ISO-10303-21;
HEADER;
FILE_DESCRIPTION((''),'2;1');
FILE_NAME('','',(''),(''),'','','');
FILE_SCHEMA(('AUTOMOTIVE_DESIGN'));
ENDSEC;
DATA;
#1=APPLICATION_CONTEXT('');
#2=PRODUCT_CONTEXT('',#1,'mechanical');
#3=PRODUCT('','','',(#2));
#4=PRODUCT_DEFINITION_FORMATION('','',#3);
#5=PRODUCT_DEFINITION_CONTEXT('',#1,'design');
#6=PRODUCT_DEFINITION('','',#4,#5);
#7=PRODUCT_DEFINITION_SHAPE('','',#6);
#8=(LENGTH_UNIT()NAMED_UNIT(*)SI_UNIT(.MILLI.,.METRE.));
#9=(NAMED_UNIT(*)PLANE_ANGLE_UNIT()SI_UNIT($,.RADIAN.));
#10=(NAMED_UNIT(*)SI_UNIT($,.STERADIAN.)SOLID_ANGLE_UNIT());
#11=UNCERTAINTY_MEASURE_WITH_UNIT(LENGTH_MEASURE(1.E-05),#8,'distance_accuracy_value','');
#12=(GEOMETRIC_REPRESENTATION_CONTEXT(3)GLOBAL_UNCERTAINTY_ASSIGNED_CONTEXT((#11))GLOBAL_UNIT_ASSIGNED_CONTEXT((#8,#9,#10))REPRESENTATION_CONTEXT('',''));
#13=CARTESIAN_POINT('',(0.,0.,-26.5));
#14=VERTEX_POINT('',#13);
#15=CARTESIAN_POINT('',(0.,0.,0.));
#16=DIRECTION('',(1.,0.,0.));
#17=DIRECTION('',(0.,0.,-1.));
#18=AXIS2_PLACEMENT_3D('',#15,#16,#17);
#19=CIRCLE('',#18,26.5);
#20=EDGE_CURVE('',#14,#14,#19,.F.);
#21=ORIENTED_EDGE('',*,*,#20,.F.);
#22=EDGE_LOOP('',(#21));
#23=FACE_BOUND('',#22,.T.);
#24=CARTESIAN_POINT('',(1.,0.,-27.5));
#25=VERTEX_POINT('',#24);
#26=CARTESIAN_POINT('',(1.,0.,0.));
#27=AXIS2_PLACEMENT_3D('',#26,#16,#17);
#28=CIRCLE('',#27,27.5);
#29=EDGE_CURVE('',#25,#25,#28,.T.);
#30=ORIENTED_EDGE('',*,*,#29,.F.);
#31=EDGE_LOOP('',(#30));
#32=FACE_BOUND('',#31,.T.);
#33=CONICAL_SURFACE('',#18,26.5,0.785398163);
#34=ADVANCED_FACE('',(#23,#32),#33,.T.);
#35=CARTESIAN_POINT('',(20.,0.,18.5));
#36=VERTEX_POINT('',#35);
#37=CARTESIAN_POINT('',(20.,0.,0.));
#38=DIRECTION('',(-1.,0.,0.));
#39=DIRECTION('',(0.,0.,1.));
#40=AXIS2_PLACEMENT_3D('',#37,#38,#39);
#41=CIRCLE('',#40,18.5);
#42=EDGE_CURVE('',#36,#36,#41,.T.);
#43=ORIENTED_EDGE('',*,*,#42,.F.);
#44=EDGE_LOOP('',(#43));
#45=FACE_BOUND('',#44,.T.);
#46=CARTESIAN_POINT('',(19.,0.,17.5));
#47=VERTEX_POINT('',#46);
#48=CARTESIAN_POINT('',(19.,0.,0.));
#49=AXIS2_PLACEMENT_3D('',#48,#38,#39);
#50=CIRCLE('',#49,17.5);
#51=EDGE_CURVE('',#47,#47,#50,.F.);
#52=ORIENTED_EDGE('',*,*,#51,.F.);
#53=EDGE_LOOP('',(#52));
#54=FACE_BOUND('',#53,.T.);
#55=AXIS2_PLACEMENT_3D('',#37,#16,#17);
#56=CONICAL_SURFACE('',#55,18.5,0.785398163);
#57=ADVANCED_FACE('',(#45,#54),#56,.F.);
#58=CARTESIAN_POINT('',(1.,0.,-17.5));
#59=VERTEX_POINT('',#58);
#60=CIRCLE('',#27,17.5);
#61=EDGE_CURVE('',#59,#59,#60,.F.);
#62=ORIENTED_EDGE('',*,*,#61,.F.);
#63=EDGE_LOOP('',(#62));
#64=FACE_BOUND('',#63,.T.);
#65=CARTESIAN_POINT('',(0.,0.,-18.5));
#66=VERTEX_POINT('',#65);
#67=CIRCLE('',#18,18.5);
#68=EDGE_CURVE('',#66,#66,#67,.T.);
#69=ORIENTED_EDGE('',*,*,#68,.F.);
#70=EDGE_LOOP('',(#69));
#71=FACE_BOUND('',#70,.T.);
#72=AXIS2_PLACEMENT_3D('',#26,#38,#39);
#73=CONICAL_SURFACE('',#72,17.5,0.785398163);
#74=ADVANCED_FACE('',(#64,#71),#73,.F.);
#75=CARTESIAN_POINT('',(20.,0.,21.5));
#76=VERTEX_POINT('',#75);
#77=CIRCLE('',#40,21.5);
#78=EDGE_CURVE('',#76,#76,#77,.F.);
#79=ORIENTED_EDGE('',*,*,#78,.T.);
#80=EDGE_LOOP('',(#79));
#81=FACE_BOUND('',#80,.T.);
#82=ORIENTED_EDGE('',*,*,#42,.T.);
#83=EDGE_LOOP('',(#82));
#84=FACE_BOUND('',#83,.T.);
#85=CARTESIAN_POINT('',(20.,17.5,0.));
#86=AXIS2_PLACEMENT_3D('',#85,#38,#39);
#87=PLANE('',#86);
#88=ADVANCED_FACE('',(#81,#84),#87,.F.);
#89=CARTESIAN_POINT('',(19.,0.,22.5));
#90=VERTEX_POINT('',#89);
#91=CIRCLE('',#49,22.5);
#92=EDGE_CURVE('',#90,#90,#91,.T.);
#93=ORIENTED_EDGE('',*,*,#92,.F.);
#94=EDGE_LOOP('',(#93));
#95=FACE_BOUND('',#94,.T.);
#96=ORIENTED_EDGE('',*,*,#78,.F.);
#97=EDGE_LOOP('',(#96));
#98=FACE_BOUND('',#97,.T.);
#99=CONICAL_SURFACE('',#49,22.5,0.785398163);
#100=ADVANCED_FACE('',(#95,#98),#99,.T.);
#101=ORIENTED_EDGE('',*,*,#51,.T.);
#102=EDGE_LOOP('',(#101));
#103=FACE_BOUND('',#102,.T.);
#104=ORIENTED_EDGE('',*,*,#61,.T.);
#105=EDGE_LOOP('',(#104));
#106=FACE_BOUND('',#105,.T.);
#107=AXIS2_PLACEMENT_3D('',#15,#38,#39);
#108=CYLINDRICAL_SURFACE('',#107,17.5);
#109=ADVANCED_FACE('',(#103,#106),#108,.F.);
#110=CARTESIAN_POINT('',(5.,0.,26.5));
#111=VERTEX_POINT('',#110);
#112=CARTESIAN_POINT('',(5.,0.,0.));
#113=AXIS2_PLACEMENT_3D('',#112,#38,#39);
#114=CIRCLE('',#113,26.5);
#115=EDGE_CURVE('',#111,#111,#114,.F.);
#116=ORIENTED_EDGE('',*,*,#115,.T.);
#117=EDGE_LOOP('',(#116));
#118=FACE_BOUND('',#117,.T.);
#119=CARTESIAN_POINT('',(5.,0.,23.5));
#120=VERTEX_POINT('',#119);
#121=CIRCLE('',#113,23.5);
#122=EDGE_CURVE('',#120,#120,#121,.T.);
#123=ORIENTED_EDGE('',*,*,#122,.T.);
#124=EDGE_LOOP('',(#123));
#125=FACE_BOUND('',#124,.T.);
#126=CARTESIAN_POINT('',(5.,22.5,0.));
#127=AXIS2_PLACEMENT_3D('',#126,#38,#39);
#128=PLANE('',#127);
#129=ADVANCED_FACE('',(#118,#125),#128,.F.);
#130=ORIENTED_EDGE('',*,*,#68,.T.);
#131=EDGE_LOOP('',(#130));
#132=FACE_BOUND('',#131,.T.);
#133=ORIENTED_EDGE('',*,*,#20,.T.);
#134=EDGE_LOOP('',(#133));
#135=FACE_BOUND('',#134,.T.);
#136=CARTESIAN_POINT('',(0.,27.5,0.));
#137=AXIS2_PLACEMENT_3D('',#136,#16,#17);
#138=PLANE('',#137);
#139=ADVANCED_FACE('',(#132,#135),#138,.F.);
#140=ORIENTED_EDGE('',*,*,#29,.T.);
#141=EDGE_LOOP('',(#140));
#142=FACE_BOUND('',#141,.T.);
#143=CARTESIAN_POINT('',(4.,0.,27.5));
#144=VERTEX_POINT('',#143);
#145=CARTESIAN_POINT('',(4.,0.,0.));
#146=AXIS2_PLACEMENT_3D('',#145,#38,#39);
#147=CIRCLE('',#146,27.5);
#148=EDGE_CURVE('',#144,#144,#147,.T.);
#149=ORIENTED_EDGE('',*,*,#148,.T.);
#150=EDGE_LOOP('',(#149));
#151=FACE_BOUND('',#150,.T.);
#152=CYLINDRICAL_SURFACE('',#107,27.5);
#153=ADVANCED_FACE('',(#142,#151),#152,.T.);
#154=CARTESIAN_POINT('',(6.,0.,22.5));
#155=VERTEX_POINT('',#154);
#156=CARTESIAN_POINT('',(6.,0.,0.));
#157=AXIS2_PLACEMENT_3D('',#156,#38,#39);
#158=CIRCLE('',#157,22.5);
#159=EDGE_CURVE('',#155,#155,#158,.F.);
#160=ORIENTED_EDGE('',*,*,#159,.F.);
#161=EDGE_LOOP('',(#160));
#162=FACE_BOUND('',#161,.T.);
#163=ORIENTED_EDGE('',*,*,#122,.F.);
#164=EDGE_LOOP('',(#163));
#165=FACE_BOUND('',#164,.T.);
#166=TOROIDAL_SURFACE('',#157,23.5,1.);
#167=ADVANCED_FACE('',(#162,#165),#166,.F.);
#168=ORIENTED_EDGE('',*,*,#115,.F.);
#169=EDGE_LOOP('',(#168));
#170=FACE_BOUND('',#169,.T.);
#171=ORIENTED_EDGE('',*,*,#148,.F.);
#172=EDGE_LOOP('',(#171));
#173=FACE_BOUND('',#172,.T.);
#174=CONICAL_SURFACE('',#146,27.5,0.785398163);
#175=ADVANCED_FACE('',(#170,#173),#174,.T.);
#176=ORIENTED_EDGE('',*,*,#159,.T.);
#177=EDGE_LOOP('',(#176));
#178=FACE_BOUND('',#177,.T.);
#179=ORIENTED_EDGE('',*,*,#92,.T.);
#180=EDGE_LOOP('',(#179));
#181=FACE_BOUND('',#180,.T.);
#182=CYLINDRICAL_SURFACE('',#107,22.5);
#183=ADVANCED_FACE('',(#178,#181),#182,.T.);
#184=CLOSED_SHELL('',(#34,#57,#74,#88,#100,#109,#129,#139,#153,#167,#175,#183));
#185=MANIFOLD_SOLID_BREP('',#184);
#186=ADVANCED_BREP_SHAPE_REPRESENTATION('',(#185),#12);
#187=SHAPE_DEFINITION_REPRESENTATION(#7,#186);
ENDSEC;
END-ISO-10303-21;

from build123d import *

# Parameters (mm, degrees)
CHAMFER1_SIZE = 1
FILLET1_R     = 1


with BuildPart() as part:
    # Sketch1 → Revolve1 (revolve)
    with BuildSketch(Plane.XY, mode=Mode.PRIVATE) as revolve1_sk:
        Polygon((0, 17.5), (20, 17.5), (20, 22.5), (5, 22.5), (5, 27.5), (0, 27.5), align=None)
    revolve(revolve1_sk.sketch.rotate(Axis((0, 0, 0), (1, 0, 0)), 90), axis=Axis((0, 0, 0), (1, 0, 0)))

    # Chamfer1
    chamfer1_edges = [part.edges().sort_by_distance(p)[0] for p in [
        (0, 0, -27.5),
        (5, 0, -27.5),
        (20, 0, -22.5),
        (20, 0, -17.5),
        (0, 0, -17.5),
    ]]
    chamfer(chamfer1_edges, length=CHAMFER1_SIZE)

    # Fillet1
    fillet1_edges = [part.edges().sort_by_distance(p)[0] for p in [
        (5, 0, -22.5),
    ]]
    fillet(fillet1_edges, radius=FILLET1_R)


solid = part.part
